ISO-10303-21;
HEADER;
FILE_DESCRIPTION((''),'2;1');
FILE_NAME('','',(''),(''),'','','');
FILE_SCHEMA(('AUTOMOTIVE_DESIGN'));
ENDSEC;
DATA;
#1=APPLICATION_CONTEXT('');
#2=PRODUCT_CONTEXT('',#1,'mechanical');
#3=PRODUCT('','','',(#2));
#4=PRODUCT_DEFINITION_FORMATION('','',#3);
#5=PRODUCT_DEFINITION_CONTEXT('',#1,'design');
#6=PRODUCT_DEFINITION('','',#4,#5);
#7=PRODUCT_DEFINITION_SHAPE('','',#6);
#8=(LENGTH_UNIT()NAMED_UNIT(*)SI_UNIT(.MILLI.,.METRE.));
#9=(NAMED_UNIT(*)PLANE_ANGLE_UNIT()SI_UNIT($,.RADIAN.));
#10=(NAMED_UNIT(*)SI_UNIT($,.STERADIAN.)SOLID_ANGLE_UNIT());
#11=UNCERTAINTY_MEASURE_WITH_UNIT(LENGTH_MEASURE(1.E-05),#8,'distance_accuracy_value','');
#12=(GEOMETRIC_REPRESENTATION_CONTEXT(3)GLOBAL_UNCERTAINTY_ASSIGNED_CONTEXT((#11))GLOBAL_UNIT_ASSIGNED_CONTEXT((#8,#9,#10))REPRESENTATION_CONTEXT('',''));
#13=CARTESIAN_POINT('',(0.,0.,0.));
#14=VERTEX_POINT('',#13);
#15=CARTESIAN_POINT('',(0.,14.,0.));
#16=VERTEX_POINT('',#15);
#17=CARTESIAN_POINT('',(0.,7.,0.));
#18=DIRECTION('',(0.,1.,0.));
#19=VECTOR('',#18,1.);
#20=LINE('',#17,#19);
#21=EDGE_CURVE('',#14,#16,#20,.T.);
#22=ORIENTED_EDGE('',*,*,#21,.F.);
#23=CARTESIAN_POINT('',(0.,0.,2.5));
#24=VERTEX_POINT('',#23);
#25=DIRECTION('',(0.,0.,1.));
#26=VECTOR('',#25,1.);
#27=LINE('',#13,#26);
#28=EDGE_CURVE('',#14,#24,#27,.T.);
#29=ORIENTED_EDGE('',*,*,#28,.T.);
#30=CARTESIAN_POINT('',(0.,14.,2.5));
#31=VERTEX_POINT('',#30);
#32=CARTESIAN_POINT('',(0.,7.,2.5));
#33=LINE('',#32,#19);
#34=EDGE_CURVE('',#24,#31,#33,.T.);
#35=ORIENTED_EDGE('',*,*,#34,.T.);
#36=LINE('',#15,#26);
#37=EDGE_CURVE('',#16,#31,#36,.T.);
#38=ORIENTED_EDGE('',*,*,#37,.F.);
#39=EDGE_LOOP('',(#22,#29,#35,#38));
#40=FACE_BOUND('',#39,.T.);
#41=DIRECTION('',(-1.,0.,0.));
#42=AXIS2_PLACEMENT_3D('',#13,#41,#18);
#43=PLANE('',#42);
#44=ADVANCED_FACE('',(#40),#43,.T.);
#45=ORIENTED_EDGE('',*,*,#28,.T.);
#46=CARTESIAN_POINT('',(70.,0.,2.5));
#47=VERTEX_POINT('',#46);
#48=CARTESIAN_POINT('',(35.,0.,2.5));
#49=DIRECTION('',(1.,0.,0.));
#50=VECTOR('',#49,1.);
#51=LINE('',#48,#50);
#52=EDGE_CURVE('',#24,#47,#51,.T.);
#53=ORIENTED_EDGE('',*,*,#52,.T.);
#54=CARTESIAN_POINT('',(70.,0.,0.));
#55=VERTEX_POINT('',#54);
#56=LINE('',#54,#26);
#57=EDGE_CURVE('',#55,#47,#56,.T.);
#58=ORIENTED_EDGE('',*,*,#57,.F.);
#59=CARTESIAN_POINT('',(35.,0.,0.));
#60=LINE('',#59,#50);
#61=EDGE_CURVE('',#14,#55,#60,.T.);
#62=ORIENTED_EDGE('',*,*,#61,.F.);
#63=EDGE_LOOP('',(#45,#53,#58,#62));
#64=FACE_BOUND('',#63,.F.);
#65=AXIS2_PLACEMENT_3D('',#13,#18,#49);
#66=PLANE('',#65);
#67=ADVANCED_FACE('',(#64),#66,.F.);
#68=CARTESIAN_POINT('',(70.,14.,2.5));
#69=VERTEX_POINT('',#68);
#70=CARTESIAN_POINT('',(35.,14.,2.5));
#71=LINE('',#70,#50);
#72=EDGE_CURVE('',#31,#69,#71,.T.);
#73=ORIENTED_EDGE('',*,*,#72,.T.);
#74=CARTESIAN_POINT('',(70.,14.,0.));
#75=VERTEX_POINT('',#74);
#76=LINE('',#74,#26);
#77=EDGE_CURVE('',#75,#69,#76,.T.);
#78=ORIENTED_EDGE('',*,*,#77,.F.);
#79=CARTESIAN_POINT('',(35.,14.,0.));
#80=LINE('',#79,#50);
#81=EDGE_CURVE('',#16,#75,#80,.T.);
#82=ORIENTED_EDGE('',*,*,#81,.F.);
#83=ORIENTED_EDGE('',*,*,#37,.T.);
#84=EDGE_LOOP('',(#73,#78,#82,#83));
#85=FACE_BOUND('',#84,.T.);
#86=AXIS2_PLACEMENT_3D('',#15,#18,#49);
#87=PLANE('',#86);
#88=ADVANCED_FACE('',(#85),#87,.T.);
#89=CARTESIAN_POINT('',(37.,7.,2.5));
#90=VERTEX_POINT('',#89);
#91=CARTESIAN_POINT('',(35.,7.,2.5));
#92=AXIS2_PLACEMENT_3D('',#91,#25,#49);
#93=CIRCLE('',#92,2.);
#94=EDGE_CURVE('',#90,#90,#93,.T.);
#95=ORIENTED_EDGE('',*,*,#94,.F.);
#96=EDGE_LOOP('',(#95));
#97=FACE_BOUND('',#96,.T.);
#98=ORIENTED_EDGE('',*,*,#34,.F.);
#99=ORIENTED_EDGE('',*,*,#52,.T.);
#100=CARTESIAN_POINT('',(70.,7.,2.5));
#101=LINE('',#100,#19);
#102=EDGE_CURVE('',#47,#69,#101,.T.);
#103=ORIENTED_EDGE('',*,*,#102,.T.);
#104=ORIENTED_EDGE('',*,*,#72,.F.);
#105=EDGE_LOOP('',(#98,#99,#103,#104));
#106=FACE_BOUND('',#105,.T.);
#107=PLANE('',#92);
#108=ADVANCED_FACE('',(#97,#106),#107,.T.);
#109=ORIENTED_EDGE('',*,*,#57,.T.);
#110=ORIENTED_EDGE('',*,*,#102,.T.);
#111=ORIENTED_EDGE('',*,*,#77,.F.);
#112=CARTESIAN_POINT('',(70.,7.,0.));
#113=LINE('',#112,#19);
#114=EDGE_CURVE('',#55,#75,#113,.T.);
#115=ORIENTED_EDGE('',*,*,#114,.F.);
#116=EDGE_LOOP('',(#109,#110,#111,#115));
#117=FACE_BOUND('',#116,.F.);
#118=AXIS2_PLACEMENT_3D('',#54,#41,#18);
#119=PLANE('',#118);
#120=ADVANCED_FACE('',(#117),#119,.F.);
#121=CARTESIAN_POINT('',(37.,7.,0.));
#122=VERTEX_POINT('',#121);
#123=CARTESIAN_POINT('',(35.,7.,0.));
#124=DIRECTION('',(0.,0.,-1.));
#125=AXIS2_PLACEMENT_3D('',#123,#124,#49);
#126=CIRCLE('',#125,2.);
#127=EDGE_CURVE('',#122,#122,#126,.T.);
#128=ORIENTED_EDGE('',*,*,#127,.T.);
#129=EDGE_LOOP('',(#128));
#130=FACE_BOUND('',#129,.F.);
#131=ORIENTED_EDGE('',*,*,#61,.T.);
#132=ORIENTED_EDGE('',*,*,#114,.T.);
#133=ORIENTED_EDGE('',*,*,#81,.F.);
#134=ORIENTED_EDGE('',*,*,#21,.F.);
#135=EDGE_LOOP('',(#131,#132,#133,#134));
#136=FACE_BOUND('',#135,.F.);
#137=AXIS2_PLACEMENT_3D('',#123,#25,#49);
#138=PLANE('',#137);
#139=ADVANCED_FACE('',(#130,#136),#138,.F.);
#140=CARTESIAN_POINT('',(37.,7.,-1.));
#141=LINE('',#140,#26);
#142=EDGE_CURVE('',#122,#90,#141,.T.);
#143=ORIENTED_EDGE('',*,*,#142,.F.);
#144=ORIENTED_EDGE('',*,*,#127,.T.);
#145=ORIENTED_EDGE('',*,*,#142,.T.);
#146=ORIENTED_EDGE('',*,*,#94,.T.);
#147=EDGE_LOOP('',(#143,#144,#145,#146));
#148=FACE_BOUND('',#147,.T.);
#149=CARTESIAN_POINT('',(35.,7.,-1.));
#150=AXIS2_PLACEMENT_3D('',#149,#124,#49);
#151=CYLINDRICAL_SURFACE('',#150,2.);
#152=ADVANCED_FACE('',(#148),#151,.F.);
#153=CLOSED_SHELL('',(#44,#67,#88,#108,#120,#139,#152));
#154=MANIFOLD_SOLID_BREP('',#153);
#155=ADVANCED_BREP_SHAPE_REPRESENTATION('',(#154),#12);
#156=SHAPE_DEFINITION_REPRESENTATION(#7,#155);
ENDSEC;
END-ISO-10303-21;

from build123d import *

# Parameters (mm, degrees)
BOX_W          = 70
BOX_H          = 14
BOX_DEPTH      = 2.5
CYLINDER_R     = 2
CYLINDER_DEPTH = 3.5


with BuildPart() as part:
    # Box → Box (join)
    with BuildSketch(Plane.XY):
        with Locations((35, 7)):
            Rectangle(BOX_W, BOX_H)
    extrude(amount=BOX_DEPTH)

    # Cylinder → Cylinder (cut)
    with BuildSketch(Plane(origin=(35, 7, -1), x_dir=(1, 0, 0), z_dir=(0, 0, 1))):
        Circle(CYLINDER_R)
    extrude(amount=CYLINDER_DEPTH, mode=Mode.SUBTRACT)


solid = part.part
